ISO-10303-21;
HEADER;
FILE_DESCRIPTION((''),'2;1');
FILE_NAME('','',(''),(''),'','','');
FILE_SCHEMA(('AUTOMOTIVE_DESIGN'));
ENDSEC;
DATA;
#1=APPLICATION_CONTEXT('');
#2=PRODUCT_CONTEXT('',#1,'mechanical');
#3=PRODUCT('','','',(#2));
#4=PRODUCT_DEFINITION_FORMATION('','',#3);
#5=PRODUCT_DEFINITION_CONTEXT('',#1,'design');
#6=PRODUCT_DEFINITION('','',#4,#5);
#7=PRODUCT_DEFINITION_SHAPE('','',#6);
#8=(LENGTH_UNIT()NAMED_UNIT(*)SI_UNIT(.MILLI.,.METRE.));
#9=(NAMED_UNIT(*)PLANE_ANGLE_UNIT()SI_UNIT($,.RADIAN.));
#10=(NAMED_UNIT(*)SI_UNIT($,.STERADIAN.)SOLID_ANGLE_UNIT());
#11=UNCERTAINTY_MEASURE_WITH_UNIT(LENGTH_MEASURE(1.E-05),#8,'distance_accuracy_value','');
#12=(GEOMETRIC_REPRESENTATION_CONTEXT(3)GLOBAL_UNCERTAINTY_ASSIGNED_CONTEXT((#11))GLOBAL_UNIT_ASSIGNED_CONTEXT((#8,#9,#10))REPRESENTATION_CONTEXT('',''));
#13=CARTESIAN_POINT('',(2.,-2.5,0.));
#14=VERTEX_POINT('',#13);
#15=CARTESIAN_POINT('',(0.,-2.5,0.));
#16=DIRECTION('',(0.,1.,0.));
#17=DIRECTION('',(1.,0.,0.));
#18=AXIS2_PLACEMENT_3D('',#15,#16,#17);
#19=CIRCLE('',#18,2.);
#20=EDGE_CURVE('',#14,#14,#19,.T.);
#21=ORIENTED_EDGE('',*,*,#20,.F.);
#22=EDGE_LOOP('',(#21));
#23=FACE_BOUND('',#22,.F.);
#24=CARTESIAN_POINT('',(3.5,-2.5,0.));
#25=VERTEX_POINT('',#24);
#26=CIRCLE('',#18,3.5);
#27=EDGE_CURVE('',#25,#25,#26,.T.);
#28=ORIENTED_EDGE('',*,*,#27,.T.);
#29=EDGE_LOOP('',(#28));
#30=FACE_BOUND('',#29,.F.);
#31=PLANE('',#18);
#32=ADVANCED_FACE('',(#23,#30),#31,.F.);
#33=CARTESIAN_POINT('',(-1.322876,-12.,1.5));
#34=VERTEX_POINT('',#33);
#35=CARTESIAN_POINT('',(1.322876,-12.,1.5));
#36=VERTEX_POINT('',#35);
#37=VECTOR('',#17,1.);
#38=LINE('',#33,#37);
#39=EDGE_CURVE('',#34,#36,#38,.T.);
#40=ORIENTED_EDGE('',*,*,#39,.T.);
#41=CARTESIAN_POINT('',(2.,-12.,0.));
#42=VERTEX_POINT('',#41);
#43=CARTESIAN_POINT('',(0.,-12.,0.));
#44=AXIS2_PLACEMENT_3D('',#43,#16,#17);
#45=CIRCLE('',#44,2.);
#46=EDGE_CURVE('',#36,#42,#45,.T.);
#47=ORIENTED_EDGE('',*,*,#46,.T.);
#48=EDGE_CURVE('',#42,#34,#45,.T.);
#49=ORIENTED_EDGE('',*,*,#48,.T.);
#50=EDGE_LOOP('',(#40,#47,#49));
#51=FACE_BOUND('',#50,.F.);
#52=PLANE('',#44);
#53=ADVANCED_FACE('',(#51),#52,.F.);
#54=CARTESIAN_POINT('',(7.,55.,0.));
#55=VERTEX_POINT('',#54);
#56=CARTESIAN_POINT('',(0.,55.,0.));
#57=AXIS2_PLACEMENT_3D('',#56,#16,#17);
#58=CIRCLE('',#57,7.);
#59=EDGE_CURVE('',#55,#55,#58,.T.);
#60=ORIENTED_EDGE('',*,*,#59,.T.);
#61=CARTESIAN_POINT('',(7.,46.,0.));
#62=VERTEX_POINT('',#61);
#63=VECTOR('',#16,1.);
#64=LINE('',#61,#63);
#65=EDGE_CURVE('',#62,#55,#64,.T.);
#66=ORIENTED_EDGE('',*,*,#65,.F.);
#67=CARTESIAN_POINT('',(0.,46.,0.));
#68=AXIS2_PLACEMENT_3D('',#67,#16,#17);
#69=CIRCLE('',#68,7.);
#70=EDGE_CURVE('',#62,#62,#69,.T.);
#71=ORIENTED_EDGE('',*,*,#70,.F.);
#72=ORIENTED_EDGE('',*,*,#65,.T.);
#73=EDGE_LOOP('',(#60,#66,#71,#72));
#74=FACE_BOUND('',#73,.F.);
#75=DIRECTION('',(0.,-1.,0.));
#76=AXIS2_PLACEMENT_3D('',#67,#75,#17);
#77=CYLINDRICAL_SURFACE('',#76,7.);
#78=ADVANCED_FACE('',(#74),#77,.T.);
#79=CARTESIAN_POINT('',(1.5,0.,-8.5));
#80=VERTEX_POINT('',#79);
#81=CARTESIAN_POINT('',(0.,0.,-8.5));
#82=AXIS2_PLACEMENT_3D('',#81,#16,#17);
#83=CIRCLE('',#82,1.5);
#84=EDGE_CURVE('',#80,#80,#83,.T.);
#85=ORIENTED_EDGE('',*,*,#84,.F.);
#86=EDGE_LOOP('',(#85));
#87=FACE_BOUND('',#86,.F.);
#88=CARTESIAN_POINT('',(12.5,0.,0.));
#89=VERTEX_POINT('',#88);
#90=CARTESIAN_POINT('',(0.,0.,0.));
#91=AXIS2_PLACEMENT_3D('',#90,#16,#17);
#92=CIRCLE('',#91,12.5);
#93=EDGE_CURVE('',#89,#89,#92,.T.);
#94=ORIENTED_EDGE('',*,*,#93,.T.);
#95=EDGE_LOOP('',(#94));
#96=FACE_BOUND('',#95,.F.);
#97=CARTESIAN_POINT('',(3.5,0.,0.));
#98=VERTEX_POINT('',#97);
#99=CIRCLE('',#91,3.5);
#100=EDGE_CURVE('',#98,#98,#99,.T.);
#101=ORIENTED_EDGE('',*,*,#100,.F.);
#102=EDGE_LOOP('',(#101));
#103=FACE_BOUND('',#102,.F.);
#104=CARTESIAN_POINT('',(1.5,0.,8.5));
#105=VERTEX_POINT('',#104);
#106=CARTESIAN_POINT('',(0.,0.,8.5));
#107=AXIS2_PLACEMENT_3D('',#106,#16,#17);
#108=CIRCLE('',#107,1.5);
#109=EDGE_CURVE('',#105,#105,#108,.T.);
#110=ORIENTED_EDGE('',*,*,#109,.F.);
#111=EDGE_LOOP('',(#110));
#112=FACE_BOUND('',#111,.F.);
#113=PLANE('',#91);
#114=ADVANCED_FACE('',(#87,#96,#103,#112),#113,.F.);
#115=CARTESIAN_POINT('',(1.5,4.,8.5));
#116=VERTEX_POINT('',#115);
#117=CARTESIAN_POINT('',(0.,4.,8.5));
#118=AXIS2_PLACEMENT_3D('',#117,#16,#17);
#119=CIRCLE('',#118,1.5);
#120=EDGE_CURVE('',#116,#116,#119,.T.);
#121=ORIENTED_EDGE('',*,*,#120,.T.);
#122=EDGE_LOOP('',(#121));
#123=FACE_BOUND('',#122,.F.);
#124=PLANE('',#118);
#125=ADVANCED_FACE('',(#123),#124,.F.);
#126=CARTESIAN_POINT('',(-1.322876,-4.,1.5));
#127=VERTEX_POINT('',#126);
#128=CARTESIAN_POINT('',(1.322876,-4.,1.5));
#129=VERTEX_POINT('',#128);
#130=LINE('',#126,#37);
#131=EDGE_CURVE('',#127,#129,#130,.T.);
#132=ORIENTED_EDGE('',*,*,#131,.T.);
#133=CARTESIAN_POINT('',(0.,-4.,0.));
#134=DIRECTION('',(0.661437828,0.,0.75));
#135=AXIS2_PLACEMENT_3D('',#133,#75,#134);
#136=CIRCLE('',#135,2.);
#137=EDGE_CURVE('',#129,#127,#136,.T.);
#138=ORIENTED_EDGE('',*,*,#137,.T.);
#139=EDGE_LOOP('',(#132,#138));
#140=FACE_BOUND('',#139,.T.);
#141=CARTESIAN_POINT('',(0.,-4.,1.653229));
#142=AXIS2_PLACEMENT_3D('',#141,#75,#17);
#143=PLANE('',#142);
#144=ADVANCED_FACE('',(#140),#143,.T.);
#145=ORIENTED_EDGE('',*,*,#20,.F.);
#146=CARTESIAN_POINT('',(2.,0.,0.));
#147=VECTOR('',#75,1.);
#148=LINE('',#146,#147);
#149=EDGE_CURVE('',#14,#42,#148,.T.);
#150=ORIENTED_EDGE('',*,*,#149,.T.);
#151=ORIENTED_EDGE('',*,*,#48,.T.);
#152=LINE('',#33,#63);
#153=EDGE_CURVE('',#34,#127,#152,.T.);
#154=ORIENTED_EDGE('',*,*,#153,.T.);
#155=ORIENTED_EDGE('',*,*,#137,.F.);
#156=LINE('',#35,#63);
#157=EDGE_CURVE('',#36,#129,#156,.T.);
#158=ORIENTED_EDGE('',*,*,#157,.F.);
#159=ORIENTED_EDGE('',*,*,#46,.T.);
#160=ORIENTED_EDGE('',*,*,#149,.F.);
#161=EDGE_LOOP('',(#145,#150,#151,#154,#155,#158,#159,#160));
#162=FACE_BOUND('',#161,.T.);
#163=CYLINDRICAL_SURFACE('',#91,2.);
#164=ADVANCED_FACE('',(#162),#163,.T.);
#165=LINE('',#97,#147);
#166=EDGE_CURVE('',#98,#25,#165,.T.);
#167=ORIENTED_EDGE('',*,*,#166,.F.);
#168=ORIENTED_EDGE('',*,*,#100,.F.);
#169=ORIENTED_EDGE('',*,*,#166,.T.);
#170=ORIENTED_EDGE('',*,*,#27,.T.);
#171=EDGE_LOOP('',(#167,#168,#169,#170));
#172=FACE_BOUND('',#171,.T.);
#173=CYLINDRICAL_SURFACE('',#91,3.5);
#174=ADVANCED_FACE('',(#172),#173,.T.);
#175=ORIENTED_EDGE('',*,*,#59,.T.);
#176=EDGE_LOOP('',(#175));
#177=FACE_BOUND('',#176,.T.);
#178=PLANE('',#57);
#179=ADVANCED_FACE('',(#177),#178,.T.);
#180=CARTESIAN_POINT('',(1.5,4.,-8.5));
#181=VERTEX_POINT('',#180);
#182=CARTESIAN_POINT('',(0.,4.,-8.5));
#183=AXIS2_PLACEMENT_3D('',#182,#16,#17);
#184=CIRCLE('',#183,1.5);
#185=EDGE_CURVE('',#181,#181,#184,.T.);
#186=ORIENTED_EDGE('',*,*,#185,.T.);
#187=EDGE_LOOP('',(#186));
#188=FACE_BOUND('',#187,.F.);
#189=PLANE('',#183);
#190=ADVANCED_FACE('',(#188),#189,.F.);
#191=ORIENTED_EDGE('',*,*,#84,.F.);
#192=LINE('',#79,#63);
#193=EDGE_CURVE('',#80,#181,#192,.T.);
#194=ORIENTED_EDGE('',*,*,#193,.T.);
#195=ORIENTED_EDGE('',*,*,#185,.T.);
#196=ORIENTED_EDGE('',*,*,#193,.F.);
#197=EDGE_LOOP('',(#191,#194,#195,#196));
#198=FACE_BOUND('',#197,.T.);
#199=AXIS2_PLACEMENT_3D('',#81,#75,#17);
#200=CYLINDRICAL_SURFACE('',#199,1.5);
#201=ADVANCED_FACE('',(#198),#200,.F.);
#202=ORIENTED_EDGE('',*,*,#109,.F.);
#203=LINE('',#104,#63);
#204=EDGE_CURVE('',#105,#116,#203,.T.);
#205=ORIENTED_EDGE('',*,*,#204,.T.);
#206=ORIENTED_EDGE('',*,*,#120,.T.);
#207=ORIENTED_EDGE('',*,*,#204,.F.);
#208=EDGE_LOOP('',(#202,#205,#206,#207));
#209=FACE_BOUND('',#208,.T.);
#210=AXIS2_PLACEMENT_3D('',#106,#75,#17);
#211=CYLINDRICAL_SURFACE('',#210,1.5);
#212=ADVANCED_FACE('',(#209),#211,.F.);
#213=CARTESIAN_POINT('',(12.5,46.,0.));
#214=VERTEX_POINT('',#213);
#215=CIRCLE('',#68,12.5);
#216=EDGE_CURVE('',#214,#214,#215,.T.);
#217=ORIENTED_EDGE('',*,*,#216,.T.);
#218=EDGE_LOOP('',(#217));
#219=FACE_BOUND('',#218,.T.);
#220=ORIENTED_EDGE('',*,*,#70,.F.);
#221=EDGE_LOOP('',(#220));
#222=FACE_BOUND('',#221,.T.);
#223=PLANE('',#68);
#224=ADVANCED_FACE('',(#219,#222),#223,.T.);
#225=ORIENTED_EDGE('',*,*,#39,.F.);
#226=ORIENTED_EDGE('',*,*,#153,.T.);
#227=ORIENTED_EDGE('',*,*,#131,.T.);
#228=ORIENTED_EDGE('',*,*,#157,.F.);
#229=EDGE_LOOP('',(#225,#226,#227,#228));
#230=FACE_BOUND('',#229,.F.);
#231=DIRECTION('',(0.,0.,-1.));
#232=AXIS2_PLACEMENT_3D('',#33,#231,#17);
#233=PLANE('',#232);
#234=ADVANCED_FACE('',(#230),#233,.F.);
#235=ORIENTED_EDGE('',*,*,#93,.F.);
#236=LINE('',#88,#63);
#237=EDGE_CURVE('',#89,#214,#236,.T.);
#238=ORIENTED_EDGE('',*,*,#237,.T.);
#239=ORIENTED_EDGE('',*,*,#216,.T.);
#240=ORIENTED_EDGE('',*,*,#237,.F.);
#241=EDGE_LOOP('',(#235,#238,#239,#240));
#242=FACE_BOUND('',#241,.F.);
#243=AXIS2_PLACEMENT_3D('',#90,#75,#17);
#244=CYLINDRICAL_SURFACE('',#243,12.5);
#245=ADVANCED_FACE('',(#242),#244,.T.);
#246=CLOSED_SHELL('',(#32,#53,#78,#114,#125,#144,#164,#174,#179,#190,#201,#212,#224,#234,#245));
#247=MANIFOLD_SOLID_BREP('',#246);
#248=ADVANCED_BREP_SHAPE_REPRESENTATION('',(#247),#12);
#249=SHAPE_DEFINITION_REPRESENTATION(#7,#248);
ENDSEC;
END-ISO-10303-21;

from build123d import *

# Parameters (mm, degrees)
SKETCH1_R           = 12.5
BODY_DEPTH          = 46
SKETCH2_R           = 7
BOSS_EXTRUDE4_DEPTH = 9
SKETCH5_R           = 3.5
SKETCH5_R_2         = 2
BOSS_EXTRUDE5_DEPTH = 2.5
SKETCH10_R          = 2
BOSS_EXTRUDE6_DEPTH = 12
CUT_EXTRUDE1_DEPTH  = 8
SKETCH13_R          = 1.5
CUT_EXTRUDE2_DEPTH  = 4


with BuildPart() as part:
    # Sketch1 → Body (new body)
    with BuildSketch(Plane(origin=(0, 0, 0), x_dir=(1, 0, 0), z_dir=(0, 1, 0))):
        Circle(SKETCH1_R)
    extrude(amount=BODY_DEPTH)

    # Sketch2 → Boss-Extrude4 (add)
    with BuildSketch(Plane(origin=(0, 46, 0), x_dir=(1, 0, 0), z_dir=(0, 1, 0))):
        Circle(SKETCH2_R)
    extrude(amount=BOSS_EXTRUDE4_DEPTH)

    # Sketch5 → Boss-Extrude5 (add)
    with BuildSketch(Plane(origin=(0, 0, 0), x_dir=(1, 0, 0), z_dir=(0, 1, 0))):
        Circle(SKETCH5_R)
        Circle(SKETCH5_R_2, mode=Mode.SUBTRACT)
    extrude(amount=-BOSS_EXTRUDE5_DEPTH)

    # Sketch10 → Boss-Extrude6 (add)
    with BuildSketch(Plane(origin=(0, 0, 0), x_dir=(1, 0, 0), z_dir=(0, 1, 0))):
        Circle(SKETCH10_R)
    extrude(amount=-BOSS_EXTRUDE6_DEPTH)

    # Sketch12 → Cut-Extrude1 (cut)
    with BuildSketch(Plane.XZ.offset(12)):
        with BuildLine():
            Line((-1.322875656, 1.5), (1.322875656, 1.5))
            ThreePointArc((1.322875656, 1.5), (0, 2), (-1.322875656, 1.5))
        make_face()
    extrude(amount=-CUT_EXTRUDE1_DEPTH, mode=Mode.SUBTRACT)

    # Sketch13 → Cut-Extrude2 (cut)
    with BuildSketch(Plane(origin=(0, 0, 0), x_dir=(1, 0, 0), z_dir=(0, 1, 0))):
        with Locations((0, 8.5)):
            Circle(SKETCH13_R)
        with Locations((0, -8.5)):
            Circle(SKETCH13_R)
    extrude(amount=CUT_EXTRUDE2_DEPTH, mode=Mode.SUBTRACT)


solid = part.part
